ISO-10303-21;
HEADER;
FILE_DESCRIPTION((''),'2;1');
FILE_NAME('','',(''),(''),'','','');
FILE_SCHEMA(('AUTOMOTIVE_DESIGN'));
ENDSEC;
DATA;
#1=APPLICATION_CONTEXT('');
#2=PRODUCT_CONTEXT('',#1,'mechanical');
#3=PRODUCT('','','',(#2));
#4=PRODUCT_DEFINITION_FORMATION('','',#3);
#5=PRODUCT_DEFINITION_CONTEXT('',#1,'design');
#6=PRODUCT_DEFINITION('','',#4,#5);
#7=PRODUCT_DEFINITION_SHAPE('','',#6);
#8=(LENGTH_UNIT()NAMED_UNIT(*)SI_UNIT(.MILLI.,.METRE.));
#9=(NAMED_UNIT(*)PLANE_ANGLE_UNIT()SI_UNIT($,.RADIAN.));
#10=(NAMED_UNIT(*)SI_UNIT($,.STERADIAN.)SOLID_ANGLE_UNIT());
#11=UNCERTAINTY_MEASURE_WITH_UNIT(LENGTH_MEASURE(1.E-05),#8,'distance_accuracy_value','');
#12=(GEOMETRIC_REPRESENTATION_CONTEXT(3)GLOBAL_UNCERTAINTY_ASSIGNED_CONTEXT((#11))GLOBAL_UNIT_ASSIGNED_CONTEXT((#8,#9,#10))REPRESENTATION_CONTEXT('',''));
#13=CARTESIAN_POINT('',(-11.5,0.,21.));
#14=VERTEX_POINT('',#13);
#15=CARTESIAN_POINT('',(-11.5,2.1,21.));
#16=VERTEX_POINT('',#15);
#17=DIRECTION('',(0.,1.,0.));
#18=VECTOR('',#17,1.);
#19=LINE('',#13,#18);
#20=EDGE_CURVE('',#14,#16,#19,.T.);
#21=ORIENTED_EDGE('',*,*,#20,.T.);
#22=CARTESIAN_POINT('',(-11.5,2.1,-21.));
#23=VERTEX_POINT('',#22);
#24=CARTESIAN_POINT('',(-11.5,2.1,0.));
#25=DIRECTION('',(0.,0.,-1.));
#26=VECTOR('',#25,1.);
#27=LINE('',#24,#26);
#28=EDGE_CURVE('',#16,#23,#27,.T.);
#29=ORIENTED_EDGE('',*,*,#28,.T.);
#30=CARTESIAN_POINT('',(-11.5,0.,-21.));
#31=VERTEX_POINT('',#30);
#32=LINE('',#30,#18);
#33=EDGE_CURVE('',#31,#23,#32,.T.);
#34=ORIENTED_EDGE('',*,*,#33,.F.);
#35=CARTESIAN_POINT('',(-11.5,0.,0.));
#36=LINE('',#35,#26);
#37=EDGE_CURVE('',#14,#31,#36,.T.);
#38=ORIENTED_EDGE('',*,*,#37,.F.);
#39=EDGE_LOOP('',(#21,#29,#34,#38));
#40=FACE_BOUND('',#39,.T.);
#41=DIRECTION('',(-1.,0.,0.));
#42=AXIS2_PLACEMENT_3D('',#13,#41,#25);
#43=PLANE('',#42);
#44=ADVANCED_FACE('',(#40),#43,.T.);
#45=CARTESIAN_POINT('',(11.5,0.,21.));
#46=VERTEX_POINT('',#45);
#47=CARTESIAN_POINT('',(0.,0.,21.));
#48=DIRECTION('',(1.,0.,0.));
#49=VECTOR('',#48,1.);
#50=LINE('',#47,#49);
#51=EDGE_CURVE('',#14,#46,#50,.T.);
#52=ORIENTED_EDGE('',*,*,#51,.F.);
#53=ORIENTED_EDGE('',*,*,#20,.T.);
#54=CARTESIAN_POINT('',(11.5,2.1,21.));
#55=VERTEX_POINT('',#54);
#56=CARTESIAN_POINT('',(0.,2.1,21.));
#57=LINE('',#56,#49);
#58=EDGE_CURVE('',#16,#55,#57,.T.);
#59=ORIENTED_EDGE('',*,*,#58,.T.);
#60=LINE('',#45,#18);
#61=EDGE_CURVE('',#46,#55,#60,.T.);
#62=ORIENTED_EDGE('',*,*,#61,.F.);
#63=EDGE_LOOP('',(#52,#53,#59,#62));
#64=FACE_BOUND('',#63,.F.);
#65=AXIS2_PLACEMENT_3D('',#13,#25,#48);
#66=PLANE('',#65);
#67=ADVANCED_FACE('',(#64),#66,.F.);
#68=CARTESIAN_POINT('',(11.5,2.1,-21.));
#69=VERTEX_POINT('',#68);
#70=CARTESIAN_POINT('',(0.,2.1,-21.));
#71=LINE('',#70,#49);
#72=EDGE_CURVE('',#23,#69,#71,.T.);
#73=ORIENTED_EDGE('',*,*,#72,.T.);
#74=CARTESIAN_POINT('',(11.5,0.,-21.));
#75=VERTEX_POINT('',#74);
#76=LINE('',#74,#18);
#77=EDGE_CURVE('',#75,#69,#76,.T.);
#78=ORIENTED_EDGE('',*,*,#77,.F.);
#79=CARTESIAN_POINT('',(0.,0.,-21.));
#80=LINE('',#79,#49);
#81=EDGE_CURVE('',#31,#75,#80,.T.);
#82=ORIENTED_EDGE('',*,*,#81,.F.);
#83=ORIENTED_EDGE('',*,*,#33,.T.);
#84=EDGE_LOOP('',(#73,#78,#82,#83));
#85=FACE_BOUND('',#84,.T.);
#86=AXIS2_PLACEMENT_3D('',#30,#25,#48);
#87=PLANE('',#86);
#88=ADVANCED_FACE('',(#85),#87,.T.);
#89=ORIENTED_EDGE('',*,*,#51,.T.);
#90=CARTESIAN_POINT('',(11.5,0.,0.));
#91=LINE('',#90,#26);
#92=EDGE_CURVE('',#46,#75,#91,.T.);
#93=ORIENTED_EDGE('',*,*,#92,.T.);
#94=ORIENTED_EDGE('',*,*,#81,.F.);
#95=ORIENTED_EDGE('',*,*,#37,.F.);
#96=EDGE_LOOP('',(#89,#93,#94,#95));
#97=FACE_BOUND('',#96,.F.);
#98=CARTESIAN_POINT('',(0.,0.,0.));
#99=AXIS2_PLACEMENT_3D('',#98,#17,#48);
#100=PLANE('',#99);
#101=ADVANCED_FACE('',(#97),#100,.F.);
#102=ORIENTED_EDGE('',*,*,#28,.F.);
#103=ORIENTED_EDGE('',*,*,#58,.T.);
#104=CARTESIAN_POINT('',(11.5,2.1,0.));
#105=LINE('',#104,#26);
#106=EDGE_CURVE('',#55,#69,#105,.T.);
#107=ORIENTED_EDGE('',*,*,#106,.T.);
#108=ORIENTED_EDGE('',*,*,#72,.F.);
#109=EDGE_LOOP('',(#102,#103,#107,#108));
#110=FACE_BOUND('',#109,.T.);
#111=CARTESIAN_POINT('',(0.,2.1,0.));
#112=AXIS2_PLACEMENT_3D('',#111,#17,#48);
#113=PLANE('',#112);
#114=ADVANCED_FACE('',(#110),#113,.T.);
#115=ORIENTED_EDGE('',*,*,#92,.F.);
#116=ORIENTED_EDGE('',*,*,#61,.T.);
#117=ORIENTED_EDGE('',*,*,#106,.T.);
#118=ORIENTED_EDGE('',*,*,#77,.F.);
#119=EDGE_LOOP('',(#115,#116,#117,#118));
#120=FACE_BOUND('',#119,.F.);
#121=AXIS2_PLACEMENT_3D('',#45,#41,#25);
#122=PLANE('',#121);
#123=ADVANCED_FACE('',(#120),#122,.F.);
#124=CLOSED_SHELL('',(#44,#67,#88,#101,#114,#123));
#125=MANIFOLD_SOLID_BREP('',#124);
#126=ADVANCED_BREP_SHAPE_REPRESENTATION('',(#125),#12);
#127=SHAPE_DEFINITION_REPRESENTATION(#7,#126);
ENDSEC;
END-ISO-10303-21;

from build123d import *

# Parameters (mm, degrees)
SKETCH1_W           = 23
SKETCH1_H           = 42
BOSS_EXTRUDE2_DEPTH = 2.1


with BuildPart() as part:
    # Sketch1 → Boss-Extrude2 (new body)
    with BuildSketch(Plane(origin=(0, 0, 0), x_dir=(1, 0, 0), z_dir=(0, 1, 0))):
        Rectangle(SKETCH1_W, SKETCH1_H)
    extrude(amount=BOSS_EXTRUDE2_DEPTH)


solid = part.part
